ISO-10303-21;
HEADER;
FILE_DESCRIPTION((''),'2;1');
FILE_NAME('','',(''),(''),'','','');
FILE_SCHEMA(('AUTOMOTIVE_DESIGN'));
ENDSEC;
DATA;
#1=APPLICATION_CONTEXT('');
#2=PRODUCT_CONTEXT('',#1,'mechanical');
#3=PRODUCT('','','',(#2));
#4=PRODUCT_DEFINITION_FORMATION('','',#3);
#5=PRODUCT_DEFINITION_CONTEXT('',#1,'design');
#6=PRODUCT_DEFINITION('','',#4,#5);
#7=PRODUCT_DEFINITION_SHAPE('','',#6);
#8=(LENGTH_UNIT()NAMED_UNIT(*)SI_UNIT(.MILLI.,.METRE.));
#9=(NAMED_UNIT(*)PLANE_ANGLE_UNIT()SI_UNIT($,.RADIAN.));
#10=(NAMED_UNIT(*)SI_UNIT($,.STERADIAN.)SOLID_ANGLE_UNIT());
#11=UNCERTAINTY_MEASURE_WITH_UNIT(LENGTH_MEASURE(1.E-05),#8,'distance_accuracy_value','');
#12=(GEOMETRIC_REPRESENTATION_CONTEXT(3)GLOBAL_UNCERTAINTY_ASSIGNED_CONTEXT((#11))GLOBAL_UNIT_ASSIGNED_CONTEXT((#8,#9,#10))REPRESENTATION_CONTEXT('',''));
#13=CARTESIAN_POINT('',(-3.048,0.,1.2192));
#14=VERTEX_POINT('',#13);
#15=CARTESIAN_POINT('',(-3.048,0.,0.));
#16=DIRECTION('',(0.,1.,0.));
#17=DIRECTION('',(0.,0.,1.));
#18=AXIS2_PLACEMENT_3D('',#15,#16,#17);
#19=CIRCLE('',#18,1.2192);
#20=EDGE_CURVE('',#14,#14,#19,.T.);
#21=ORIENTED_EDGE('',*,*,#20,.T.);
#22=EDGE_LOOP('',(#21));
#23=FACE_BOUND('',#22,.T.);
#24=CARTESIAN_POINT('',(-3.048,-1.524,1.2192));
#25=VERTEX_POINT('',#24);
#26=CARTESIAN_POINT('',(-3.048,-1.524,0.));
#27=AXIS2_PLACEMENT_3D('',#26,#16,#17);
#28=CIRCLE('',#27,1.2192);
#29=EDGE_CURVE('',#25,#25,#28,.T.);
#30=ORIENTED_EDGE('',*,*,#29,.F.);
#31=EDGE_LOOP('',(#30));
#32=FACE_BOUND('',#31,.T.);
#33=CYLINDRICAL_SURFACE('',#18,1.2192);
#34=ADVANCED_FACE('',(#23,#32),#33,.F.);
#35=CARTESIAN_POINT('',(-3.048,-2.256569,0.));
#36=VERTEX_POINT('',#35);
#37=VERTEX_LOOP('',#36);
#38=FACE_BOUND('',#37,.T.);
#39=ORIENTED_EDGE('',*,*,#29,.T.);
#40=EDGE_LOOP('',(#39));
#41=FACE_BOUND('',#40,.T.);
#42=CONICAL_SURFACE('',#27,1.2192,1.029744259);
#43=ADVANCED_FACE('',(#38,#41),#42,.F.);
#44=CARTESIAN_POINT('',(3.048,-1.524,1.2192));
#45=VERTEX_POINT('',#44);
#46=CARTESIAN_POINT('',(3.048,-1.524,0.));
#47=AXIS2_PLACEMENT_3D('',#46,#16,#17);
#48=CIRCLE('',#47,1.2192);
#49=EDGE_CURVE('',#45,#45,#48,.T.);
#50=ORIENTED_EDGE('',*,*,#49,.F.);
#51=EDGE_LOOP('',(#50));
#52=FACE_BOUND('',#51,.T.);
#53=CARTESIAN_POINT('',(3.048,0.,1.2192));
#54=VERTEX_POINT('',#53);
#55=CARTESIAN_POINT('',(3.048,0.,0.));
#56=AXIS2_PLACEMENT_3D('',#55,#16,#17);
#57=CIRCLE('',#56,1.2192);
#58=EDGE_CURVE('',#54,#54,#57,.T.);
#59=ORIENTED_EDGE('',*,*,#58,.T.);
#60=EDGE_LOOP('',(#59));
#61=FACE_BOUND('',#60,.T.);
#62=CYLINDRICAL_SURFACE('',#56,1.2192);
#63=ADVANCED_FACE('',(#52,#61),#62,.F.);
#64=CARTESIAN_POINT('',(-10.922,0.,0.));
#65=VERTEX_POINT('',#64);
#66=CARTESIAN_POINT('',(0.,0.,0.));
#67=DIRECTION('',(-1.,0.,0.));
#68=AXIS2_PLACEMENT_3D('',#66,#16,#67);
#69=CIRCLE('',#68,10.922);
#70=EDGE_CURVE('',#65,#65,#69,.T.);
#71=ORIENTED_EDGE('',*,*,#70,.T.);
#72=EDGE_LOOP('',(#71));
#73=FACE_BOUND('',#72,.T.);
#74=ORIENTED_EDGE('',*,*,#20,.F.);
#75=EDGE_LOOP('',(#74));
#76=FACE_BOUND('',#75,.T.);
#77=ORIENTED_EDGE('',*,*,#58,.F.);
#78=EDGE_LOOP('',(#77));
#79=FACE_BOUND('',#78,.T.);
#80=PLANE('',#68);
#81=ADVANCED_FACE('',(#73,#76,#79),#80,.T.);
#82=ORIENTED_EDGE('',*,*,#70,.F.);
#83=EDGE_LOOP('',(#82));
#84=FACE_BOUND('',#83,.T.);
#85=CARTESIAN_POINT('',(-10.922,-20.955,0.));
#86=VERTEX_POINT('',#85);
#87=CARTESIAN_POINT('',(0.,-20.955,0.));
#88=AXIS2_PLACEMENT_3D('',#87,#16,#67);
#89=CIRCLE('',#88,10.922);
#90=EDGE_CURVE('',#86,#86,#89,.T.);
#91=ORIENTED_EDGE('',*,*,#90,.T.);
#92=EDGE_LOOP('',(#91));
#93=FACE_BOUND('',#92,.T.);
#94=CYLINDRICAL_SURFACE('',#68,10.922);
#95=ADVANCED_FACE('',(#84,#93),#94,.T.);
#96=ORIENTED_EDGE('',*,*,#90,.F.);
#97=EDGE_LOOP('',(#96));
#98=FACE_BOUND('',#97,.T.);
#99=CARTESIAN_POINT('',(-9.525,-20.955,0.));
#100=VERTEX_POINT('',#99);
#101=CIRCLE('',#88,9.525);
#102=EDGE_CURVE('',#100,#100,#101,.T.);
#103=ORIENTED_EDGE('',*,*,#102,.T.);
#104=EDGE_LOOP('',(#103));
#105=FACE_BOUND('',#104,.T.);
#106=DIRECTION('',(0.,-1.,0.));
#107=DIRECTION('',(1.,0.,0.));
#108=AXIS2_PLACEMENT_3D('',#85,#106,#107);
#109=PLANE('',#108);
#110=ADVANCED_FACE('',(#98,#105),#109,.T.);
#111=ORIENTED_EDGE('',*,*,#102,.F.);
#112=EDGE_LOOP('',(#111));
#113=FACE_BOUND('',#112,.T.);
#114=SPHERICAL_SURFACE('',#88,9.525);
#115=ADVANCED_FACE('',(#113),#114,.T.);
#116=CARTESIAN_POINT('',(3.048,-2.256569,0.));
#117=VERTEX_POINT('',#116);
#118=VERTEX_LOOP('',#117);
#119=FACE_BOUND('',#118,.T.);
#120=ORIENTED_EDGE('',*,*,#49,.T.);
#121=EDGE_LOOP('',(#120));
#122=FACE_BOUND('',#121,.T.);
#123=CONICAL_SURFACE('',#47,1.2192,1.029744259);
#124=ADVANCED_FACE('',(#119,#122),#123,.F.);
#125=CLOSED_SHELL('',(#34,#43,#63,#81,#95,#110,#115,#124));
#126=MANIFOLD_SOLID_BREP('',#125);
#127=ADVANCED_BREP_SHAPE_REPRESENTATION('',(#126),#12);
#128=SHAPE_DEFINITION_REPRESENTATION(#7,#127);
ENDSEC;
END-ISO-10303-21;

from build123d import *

# Parameters (mm, degrees)
F_2_CLEARANCE_HOLE1_D     = 2.4384
F_2_CLEARANCE_HOLE1_DEPTH = 1.524
F_2_CLEARANCE_HOLE1_TIP   = 0.732569267


with BuildPart() as part:
    # Sketch1 → Revolve1 (revolve)
    with BuildSketch(Plane.XY):
        with BuildLine():
            Line((0, 0), (-10.922, 0))
            Line((-10.922, 0), (-10.922, -20.955))
            Line((-10.922, -20.955), (-9.525, -20.955))
            ThreePointArc((-9.525, -20.955), (-6.735192091, -27.690192091), (0, -30.48))
            Line((0, -30.48), (0, 0))
        make_face()
    revolve(axis=Axis((0, 0, 0), (0, -1, 0)))

    # #2 Clearance Hole1
    with Locations(Plane(origin=(0, 0, 0), x_dir=(1, 0, 0), z_dir=(0, 1, 0))):
        with Locations((3.048, 0), (-3.048, 0)):
            Hole(F_2_CLEARANCE_HOLE1_D / 2, depth=F_2_CLEARANCE_HOLE1_DEPTH)
            with Locations((0, 0, -(F_2_CLEARANCE_HOLE1_DEPTH + F_2_CLEARANCE_HOLE1_TIP / 2))):  # 118° drill point
                Cone(0, F_2_CLEARANCE_HOLE1_D / 2, F_2_CLEARANCE_HOLE1_TIP, mode=Mode.SUBTRACT)


solid = part.part
